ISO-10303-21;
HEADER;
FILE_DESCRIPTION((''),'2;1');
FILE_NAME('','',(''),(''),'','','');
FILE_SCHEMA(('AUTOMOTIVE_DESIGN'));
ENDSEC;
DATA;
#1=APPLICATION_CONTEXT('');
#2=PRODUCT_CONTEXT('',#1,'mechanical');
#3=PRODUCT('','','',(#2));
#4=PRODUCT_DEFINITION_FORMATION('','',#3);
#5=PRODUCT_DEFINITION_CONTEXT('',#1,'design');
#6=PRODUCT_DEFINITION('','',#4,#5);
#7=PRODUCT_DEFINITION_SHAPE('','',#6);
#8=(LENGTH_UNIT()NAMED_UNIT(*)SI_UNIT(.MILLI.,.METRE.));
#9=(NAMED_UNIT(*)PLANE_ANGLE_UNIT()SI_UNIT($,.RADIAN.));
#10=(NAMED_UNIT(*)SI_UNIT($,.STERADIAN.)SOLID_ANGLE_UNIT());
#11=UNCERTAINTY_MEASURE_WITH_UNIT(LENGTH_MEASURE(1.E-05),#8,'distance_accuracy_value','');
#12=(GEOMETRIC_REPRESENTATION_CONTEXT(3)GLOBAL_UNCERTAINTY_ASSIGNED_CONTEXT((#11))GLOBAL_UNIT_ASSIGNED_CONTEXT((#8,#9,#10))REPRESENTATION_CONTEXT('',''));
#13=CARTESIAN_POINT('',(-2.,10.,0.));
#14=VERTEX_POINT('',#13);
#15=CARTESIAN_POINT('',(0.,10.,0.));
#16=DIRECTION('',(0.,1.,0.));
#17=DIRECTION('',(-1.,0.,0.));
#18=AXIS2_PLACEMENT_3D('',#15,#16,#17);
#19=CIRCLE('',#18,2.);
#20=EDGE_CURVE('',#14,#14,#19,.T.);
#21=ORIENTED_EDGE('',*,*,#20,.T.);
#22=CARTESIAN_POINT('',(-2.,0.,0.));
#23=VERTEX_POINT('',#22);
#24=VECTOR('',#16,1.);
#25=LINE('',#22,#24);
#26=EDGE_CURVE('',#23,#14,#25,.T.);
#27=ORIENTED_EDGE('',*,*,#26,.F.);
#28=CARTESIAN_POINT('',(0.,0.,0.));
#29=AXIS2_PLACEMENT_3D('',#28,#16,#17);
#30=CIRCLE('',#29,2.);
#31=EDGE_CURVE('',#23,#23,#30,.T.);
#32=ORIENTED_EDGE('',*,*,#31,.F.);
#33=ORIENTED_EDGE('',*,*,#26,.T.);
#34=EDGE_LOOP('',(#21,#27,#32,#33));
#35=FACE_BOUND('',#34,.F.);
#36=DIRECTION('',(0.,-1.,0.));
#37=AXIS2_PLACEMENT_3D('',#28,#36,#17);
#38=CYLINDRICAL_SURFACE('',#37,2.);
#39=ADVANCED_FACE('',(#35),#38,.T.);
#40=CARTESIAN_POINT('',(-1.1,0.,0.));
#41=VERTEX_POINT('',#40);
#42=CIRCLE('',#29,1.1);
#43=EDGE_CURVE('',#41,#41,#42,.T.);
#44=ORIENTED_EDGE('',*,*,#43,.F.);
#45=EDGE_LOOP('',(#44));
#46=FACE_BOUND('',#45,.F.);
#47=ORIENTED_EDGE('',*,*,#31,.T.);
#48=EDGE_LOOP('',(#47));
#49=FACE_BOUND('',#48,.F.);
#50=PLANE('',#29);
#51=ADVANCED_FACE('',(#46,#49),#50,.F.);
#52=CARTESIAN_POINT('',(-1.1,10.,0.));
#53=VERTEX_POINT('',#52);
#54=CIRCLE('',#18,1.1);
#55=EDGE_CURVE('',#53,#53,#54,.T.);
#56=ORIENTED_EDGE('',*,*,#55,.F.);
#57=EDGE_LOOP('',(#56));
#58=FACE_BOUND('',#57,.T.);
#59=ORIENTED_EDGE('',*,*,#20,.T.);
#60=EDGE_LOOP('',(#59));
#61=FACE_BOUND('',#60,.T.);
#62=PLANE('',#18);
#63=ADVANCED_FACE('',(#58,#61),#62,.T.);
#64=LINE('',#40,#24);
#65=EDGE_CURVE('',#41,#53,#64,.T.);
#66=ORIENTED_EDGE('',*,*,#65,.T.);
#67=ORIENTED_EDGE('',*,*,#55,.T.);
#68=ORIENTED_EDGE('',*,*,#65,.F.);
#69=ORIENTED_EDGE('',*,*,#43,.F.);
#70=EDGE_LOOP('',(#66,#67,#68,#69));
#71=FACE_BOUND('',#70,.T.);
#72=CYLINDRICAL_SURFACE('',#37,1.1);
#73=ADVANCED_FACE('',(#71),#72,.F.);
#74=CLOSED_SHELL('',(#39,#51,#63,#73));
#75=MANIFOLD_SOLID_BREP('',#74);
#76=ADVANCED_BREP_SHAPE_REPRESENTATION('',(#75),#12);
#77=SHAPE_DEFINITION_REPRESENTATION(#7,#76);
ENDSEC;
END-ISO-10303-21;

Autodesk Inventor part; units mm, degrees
ref_plane "YZ Plane" through (0, 0, 0) normal (1, 0, 0) x (0, 1, 0)
ref_plane "XZ Plane" through (0, 0, 0) normal (0, 1, 0) x (-1, 0, 0)
ref_plane "XY Plane" through (0, 0, 0) normal (0, 0, 1) x (1, 0, 0)
sketch "Sketch1" plane through (0, 0, 0) normal (0, 1, 0) x (-1, 0, 0)
  circle A0 centre (0, 0) radius 2
  circle A1 centre (0, 0) radius 1.1
  dimension "d0" = 4
  dimension "d1" = 2.2
extrude "Extrusion1" add sketch "Sketch1" along normal blind 10
properties part number "stand"
